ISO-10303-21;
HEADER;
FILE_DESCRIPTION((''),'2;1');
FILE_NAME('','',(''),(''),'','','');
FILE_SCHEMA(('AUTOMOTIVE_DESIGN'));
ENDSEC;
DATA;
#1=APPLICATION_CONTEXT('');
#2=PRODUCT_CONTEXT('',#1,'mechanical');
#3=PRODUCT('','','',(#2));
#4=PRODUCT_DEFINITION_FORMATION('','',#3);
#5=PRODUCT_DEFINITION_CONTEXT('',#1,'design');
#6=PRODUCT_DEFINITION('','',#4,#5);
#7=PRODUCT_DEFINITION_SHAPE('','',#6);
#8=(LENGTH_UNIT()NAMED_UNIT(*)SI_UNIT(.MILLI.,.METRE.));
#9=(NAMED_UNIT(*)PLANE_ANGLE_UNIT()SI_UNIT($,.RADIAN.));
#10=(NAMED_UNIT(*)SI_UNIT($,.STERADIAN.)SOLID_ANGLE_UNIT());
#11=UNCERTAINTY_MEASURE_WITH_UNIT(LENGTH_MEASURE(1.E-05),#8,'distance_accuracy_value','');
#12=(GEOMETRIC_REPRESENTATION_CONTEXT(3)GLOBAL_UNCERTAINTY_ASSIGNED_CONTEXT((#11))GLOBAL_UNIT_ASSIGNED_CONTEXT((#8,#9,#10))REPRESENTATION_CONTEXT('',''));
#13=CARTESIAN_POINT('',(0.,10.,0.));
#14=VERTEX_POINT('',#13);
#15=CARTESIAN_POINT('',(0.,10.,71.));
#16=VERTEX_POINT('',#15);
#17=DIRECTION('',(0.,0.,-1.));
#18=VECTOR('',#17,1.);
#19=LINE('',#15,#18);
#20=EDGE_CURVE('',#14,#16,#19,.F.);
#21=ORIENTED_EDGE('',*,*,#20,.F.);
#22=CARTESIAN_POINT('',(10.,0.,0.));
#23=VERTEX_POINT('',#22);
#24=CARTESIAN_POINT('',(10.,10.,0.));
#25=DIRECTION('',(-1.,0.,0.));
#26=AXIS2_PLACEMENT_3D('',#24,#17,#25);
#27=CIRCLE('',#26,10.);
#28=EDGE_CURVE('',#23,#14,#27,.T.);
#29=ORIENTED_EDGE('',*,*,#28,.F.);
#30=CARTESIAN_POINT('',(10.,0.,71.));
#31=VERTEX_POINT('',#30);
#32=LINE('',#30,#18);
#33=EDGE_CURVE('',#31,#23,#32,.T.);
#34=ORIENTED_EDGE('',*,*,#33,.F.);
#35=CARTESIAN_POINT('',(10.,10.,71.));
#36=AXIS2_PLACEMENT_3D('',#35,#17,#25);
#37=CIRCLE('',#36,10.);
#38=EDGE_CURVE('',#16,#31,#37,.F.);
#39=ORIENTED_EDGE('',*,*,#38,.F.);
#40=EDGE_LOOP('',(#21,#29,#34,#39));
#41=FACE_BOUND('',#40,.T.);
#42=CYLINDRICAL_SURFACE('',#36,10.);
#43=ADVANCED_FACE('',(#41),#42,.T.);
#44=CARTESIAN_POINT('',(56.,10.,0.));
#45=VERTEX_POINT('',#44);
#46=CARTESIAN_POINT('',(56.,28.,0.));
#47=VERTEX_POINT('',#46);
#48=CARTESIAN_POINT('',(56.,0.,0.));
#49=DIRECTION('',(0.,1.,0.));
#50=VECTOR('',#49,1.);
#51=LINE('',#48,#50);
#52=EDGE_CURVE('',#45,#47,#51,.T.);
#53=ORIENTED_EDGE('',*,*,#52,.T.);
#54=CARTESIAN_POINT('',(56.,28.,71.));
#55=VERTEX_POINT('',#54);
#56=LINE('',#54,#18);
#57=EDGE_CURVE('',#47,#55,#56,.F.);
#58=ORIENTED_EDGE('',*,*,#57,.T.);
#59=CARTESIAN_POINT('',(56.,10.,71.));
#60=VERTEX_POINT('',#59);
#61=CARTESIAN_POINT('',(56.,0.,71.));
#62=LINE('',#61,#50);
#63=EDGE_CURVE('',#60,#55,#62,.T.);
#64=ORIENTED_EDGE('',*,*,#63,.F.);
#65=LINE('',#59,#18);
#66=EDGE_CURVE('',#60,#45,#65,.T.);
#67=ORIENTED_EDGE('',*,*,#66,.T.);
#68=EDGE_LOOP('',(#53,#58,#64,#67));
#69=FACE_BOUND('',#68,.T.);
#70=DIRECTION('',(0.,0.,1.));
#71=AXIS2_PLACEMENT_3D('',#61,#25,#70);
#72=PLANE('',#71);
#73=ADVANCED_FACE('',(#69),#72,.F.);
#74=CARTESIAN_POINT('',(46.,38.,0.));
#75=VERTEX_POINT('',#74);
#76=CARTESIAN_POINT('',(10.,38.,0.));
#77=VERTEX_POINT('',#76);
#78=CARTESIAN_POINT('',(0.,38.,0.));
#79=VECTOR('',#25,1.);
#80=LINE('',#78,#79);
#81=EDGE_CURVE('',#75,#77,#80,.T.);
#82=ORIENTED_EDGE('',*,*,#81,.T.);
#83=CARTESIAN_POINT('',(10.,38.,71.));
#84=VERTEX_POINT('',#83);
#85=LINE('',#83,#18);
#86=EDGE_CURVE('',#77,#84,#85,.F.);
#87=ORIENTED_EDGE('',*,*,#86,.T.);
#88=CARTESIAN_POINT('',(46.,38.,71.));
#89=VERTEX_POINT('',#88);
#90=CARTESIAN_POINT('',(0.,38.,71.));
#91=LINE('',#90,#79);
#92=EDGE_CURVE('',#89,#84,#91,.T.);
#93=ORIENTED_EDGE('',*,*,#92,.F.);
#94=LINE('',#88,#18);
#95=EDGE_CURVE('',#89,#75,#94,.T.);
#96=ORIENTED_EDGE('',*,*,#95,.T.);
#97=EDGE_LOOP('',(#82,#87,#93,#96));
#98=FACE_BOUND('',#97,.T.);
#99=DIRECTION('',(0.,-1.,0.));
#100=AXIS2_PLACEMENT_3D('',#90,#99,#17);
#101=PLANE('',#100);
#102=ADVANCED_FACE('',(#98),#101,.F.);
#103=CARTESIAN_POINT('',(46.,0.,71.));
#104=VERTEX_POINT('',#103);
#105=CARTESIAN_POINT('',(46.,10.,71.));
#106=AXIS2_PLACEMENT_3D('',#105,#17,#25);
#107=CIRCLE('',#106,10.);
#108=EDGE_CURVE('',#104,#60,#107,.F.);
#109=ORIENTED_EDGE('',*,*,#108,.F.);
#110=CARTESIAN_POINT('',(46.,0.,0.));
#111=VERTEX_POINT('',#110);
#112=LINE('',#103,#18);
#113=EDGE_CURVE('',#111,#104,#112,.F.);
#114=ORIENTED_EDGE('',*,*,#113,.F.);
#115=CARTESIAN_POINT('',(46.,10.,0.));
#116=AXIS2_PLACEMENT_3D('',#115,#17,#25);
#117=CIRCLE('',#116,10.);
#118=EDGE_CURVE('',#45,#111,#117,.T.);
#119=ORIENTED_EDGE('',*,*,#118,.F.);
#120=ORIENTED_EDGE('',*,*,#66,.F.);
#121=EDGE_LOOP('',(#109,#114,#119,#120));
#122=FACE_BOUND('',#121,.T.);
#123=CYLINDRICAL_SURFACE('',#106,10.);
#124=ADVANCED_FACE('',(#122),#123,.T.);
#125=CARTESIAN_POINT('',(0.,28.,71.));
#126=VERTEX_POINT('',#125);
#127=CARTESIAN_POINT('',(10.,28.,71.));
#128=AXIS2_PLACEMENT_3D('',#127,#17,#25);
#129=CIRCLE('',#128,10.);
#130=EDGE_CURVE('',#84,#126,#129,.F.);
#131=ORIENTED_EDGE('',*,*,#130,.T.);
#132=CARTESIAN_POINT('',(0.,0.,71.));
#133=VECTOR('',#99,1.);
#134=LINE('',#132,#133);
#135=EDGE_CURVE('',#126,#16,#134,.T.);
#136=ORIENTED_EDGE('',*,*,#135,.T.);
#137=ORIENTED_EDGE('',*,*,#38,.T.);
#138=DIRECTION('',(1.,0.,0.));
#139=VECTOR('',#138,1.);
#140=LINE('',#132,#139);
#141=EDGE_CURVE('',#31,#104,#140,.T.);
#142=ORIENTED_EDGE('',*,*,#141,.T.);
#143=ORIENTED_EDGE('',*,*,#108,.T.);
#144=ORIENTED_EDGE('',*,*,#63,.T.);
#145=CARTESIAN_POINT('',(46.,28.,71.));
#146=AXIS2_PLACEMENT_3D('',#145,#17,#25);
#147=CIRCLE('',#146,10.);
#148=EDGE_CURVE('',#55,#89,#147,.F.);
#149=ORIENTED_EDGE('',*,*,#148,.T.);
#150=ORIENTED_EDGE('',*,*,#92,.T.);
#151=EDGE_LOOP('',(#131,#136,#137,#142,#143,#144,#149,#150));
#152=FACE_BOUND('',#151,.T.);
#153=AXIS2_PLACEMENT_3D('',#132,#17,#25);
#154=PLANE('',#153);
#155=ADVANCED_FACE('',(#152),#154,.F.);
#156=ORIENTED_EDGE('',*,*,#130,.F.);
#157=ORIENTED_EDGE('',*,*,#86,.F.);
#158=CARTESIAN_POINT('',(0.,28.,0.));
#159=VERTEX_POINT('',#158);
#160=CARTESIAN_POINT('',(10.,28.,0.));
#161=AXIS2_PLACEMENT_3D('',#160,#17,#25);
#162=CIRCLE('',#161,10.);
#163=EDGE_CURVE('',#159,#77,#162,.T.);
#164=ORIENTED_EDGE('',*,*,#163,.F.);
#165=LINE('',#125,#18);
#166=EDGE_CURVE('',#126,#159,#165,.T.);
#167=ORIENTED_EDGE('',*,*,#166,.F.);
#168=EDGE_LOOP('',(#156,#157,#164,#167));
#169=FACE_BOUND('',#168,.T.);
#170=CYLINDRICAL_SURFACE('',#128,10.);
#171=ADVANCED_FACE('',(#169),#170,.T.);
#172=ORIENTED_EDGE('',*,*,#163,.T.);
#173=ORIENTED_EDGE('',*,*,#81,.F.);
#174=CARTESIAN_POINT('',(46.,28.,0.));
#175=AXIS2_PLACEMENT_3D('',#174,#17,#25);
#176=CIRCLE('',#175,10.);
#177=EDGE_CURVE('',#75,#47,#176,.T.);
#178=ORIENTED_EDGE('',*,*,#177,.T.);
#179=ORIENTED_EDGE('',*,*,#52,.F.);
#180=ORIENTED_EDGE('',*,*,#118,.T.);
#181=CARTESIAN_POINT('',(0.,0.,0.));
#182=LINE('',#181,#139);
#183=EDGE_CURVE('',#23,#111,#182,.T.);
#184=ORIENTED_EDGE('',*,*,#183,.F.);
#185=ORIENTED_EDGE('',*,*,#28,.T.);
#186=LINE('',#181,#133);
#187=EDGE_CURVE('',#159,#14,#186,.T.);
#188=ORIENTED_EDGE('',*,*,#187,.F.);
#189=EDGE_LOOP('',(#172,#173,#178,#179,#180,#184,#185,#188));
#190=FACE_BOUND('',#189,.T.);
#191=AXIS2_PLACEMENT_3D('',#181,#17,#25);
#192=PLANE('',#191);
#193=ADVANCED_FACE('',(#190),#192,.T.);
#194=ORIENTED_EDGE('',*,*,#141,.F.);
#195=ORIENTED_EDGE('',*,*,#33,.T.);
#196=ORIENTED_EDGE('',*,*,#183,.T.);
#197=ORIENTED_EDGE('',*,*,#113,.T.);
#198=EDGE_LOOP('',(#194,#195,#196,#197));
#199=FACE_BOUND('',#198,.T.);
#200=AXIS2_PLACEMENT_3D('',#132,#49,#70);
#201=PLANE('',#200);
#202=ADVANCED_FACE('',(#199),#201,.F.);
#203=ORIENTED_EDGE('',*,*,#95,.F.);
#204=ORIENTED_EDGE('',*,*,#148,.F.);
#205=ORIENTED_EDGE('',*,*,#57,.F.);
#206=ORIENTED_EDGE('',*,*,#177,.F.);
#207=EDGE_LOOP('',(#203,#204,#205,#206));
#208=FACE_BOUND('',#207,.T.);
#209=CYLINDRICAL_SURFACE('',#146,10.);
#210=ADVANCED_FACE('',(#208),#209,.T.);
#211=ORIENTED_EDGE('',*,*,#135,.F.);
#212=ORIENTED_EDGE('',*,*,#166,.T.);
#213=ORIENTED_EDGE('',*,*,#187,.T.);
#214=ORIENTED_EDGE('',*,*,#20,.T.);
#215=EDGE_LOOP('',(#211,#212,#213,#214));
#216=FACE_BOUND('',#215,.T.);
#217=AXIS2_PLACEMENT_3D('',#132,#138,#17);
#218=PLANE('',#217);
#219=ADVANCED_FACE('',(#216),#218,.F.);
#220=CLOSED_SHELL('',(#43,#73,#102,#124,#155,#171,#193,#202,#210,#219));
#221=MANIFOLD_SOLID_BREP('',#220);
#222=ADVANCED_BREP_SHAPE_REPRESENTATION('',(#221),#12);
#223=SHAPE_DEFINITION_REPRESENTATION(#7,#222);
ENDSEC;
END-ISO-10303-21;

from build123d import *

# Parameters (mm, degrees)
SKETCH_1_W      = 56
SKETCH_1_H      = 38
EXTRUDE_1_DEPTH = 71
FILLET_1_R      = 10


with BuildPart() as part:
    # 草图1 → 凸台-拉伸1 (new body)
    with BuildSketch(Plane.XY):
        with Locations((28, 19)):
            Rectangle(SKETCH_1_W, SKETCH_1_H)
    extrude(amount=EXTRUDE_1_DEPTH)

    # 圆角1
    fillet_1_edges = [part.edges().sort_by_distance(p)[0] for p in [
        (0, 38, 35.5),
        (56, 38, 35.5),
        (56, 0, 35.5),
        (0, 0, 35.5),
    ]]
    fillet(fillet_1_edges, radius=FILLET_1_R)


solid = part.part
